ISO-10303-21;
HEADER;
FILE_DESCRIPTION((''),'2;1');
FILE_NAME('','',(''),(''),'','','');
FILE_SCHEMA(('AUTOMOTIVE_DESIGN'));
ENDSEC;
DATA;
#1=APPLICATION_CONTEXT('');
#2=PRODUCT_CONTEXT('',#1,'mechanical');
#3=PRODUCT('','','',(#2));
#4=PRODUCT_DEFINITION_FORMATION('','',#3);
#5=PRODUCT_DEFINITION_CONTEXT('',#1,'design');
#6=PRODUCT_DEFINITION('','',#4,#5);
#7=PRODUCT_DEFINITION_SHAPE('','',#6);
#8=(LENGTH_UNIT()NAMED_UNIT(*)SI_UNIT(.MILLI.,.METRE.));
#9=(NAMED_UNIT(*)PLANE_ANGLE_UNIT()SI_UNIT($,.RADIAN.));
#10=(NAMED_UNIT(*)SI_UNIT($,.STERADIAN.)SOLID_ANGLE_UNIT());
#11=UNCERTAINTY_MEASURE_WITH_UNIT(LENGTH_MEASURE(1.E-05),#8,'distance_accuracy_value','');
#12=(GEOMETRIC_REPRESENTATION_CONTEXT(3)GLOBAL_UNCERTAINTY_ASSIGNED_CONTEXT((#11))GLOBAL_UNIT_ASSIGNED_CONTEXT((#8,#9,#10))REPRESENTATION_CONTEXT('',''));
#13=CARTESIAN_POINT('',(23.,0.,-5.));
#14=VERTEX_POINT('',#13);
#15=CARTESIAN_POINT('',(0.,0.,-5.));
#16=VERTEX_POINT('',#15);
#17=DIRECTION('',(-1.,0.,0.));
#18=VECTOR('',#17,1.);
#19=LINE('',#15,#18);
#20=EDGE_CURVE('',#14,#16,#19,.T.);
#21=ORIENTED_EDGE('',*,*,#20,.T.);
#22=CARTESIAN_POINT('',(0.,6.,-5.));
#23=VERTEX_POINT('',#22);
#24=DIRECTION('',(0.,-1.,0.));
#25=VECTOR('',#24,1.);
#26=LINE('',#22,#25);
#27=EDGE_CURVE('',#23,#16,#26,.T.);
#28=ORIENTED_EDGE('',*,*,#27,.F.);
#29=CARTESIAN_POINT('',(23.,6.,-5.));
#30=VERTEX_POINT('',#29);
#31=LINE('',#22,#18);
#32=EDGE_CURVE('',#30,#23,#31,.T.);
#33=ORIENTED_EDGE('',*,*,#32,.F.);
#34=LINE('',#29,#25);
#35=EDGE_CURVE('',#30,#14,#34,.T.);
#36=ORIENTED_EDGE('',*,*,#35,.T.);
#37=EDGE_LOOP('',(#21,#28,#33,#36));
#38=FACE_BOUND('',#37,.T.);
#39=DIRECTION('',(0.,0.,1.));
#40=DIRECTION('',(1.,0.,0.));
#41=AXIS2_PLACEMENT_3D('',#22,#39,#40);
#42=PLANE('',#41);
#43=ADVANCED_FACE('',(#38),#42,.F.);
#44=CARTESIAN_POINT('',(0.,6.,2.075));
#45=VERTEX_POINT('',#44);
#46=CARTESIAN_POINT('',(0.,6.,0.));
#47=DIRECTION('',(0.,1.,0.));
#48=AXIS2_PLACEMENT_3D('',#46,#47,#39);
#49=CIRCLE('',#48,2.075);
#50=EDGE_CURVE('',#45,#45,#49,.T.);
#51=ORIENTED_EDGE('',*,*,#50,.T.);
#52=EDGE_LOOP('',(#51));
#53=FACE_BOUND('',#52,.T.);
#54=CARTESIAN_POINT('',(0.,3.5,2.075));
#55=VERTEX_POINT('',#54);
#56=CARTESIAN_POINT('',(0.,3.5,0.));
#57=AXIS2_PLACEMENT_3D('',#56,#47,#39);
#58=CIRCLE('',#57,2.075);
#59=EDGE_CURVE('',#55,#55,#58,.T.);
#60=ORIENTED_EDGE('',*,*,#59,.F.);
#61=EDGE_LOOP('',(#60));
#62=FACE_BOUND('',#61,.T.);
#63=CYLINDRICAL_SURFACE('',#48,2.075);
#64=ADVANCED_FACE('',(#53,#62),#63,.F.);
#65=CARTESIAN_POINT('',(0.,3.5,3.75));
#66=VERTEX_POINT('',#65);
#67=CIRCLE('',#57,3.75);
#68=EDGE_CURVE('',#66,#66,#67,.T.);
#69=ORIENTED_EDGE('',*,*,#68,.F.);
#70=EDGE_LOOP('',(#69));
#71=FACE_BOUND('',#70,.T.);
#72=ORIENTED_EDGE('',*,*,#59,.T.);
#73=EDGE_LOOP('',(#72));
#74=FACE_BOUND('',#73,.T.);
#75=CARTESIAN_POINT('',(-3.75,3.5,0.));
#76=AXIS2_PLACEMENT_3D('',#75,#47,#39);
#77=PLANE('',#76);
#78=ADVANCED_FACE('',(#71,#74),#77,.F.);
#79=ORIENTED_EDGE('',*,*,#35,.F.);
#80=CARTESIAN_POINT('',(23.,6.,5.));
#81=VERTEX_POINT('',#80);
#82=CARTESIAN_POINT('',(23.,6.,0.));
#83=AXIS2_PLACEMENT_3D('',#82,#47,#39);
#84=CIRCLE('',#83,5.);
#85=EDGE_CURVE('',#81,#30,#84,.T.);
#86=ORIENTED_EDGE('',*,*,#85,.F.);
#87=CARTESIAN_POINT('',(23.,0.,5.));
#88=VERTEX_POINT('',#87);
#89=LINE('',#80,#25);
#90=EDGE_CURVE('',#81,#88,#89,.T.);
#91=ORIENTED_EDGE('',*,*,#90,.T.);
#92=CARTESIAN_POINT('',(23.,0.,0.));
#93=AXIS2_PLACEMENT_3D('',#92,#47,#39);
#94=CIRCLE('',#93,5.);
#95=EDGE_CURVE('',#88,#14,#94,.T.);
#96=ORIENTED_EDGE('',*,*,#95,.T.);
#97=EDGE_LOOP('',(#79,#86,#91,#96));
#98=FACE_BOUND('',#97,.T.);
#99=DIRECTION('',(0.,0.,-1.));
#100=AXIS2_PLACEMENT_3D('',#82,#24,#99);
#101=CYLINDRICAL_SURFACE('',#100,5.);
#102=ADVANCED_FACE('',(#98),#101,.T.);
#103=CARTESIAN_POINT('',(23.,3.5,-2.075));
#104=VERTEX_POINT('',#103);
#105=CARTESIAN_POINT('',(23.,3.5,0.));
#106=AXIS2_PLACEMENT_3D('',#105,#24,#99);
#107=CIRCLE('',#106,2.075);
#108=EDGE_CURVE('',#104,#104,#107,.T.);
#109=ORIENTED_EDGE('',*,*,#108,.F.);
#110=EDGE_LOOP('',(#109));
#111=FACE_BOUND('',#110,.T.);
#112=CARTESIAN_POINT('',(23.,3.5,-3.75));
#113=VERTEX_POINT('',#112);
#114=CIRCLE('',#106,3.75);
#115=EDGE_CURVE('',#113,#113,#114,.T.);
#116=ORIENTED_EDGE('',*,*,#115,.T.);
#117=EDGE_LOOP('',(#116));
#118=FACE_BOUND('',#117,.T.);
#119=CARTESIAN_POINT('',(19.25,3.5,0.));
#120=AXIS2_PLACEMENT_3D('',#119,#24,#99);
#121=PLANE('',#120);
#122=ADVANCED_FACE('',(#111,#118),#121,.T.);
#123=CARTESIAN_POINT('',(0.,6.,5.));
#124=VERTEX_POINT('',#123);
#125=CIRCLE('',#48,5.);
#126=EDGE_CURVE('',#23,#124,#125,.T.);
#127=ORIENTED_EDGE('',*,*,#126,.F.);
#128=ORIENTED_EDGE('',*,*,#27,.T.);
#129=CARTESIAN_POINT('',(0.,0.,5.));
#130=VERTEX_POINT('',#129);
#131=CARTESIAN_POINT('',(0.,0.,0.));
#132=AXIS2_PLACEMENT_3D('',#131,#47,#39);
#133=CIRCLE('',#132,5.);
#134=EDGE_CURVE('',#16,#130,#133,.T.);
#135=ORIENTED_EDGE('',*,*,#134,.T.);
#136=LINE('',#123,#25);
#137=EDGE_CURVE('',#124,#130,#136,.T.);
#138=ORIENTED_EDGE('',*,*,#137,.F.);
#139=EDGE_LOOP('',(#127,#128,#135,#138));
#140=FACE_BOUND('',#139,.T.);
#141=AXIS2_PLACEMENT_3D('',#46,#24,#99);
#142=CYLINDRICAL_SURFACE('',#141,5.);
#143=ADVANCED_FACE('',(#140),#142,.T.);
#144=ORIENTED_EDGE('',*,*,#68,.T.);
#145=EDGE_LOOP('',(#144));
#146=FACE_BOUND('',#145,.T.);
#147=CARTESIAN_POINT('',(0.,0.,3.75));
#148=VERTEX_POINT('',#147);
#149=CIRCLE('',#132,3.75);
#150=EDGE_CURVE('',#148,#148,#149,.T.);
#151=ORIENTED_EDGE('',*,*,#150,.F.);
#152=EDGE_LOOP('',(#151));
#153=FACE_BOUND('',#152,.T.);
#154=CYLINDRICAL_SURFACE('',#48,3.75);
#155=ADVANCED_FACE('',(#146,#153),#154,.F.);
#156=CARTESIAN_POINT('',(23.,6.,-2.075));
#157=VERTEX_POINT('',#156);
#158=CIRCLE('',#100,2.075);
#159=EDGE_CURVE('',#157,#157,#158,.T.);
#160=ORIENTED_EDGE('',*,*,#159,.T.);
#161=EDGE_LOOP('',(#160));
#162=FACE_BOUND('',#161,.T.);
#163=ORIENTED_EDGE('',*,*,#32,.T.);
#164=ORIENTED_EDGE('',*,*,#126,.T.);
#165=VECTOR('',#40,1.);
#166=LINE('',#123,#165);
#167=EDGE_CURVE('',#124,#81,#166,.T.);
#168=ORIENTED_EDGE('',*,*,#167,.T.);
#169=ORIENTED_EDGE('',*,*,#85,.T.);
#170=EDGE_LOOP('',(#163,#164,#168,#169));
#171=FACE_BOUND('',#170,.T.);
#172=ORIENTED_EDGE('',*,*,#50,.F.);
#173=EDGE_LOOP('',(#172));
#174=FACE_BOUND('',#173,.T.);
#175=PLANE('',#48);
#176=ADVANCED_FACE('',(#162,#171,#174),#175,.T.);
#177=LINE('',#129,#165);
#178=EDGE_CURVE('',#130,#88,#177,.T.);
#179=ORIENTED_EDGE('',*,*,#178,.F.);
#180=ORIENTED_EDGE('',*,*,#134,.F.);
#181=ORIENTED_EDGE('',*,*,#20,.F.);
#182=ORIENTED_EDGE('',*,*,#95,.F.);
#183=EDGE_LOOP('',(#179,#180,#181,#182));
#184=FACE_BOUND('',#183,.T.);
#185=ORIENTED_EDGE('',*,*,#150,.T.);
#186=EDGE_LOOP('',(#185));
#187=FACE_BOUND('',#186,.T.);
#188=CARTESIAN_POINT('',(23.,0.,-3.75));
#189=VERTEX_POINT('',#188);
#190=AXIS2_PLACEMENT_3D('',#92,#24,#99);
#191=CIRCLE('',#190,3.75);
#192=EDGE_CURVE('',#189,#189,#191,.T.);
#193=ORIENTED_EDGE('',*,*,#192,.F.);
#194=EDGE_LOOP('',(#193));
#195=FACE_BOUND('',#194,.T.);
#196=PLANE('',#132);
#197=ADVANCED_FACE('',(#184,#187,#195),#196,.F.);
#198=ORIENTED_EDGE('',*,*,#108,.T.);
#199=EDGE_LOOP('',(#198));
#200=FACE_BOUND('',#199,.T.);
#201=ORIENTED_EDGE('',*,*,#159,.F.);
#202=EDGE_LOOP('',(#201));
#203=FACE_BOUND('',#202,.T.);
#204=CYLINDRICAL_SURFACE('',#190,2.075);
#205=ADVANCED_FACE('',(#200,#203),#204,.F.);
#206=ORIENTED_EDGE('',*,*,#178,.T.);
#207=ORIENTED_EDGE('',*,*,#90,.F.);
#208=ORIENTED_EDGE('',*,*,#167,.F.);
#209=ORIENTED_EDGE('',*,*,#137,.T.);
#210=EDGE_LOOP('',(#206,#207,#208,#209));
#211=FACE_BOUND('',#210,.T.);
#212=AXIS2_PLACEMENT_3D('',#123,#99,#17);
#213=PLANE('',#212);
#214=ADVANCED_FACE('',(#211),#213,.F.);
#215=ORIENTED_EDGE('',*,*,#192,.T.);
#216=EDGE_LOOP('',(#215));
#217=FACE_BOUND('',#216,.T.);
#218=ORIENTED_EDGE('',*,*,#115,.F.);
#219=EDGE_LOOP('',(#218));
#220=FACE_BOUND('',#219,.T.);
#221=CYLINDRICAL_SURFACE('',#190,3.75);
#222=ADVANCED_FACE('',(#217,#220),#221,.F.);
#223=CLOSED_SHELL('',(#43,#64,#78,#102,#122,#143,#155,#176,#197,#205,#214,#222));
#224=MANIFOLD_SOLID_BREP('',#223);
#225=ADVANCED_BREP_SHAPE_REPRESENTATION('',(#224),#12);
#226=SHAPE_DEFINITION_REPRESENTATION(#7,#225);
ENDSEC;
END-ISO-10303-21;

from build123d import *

# Parameters (mm, degrees)
EXTRUDE_1_DEPTH = 6


with BuildPart() as part:
    # 草图1 → 凸台-拉伸1 (new body)
    with BuildSketch(Plane(origin=(0, 0, 0), x_dir=(1, 0, 0), z_dir=(0, 1, 0))):
        with BuildLine():
            Line((0, 5), (23, 5))
            ThreePointArc((23, 5), (28, 0), (23, -5))
            Line((23, -5), (0, -5))
            ThreePointArc((0, -5), (-5, 0), (0, 5))
        make_face()
    extrude(amount=EXTRUDE_1_DEPTH)

    # 草图2 → 切除-旋转1 (revolve, cut)
    with BuildSketch(Plane.XY, mode=Mode.PRIVATE) as cut_revolve_1_sk:
        Polygon((0, 0), (-3.75, 0), (-3.75, 3.5), (-2.075, 3.5), (-2.075, 6), (0, 6), align=None)
    revolve(cut_revolve_1_sk.sketch.rotate(Axis((0, 6, 0), (0, -1, 0)), 270), axis=Axis((0, 6, 0), (0, -1, 0)), mode=Mode.SUBTRACT)

    # 草图3 → 切除-旋转2 (revolve, cut)
    with BuildSketch(Plane.XY, mode=Mode.PRIVATE) as cut_revolve_2_sk:
        Polygon((23, 0), (19.25, 0), (19.25, 3.5), (20.925, 3.5), (20.925, 6), (23, 6), align=None)
    revolve(cut_revolve_2_sk.sketch.rotate(Axis((23, 0, 0), (0, 1, 0)), 270), axis=Axis((23, 0, 0), (0, 1, 0)), mode=Mode.SUBTRACT)


solid = part.part
